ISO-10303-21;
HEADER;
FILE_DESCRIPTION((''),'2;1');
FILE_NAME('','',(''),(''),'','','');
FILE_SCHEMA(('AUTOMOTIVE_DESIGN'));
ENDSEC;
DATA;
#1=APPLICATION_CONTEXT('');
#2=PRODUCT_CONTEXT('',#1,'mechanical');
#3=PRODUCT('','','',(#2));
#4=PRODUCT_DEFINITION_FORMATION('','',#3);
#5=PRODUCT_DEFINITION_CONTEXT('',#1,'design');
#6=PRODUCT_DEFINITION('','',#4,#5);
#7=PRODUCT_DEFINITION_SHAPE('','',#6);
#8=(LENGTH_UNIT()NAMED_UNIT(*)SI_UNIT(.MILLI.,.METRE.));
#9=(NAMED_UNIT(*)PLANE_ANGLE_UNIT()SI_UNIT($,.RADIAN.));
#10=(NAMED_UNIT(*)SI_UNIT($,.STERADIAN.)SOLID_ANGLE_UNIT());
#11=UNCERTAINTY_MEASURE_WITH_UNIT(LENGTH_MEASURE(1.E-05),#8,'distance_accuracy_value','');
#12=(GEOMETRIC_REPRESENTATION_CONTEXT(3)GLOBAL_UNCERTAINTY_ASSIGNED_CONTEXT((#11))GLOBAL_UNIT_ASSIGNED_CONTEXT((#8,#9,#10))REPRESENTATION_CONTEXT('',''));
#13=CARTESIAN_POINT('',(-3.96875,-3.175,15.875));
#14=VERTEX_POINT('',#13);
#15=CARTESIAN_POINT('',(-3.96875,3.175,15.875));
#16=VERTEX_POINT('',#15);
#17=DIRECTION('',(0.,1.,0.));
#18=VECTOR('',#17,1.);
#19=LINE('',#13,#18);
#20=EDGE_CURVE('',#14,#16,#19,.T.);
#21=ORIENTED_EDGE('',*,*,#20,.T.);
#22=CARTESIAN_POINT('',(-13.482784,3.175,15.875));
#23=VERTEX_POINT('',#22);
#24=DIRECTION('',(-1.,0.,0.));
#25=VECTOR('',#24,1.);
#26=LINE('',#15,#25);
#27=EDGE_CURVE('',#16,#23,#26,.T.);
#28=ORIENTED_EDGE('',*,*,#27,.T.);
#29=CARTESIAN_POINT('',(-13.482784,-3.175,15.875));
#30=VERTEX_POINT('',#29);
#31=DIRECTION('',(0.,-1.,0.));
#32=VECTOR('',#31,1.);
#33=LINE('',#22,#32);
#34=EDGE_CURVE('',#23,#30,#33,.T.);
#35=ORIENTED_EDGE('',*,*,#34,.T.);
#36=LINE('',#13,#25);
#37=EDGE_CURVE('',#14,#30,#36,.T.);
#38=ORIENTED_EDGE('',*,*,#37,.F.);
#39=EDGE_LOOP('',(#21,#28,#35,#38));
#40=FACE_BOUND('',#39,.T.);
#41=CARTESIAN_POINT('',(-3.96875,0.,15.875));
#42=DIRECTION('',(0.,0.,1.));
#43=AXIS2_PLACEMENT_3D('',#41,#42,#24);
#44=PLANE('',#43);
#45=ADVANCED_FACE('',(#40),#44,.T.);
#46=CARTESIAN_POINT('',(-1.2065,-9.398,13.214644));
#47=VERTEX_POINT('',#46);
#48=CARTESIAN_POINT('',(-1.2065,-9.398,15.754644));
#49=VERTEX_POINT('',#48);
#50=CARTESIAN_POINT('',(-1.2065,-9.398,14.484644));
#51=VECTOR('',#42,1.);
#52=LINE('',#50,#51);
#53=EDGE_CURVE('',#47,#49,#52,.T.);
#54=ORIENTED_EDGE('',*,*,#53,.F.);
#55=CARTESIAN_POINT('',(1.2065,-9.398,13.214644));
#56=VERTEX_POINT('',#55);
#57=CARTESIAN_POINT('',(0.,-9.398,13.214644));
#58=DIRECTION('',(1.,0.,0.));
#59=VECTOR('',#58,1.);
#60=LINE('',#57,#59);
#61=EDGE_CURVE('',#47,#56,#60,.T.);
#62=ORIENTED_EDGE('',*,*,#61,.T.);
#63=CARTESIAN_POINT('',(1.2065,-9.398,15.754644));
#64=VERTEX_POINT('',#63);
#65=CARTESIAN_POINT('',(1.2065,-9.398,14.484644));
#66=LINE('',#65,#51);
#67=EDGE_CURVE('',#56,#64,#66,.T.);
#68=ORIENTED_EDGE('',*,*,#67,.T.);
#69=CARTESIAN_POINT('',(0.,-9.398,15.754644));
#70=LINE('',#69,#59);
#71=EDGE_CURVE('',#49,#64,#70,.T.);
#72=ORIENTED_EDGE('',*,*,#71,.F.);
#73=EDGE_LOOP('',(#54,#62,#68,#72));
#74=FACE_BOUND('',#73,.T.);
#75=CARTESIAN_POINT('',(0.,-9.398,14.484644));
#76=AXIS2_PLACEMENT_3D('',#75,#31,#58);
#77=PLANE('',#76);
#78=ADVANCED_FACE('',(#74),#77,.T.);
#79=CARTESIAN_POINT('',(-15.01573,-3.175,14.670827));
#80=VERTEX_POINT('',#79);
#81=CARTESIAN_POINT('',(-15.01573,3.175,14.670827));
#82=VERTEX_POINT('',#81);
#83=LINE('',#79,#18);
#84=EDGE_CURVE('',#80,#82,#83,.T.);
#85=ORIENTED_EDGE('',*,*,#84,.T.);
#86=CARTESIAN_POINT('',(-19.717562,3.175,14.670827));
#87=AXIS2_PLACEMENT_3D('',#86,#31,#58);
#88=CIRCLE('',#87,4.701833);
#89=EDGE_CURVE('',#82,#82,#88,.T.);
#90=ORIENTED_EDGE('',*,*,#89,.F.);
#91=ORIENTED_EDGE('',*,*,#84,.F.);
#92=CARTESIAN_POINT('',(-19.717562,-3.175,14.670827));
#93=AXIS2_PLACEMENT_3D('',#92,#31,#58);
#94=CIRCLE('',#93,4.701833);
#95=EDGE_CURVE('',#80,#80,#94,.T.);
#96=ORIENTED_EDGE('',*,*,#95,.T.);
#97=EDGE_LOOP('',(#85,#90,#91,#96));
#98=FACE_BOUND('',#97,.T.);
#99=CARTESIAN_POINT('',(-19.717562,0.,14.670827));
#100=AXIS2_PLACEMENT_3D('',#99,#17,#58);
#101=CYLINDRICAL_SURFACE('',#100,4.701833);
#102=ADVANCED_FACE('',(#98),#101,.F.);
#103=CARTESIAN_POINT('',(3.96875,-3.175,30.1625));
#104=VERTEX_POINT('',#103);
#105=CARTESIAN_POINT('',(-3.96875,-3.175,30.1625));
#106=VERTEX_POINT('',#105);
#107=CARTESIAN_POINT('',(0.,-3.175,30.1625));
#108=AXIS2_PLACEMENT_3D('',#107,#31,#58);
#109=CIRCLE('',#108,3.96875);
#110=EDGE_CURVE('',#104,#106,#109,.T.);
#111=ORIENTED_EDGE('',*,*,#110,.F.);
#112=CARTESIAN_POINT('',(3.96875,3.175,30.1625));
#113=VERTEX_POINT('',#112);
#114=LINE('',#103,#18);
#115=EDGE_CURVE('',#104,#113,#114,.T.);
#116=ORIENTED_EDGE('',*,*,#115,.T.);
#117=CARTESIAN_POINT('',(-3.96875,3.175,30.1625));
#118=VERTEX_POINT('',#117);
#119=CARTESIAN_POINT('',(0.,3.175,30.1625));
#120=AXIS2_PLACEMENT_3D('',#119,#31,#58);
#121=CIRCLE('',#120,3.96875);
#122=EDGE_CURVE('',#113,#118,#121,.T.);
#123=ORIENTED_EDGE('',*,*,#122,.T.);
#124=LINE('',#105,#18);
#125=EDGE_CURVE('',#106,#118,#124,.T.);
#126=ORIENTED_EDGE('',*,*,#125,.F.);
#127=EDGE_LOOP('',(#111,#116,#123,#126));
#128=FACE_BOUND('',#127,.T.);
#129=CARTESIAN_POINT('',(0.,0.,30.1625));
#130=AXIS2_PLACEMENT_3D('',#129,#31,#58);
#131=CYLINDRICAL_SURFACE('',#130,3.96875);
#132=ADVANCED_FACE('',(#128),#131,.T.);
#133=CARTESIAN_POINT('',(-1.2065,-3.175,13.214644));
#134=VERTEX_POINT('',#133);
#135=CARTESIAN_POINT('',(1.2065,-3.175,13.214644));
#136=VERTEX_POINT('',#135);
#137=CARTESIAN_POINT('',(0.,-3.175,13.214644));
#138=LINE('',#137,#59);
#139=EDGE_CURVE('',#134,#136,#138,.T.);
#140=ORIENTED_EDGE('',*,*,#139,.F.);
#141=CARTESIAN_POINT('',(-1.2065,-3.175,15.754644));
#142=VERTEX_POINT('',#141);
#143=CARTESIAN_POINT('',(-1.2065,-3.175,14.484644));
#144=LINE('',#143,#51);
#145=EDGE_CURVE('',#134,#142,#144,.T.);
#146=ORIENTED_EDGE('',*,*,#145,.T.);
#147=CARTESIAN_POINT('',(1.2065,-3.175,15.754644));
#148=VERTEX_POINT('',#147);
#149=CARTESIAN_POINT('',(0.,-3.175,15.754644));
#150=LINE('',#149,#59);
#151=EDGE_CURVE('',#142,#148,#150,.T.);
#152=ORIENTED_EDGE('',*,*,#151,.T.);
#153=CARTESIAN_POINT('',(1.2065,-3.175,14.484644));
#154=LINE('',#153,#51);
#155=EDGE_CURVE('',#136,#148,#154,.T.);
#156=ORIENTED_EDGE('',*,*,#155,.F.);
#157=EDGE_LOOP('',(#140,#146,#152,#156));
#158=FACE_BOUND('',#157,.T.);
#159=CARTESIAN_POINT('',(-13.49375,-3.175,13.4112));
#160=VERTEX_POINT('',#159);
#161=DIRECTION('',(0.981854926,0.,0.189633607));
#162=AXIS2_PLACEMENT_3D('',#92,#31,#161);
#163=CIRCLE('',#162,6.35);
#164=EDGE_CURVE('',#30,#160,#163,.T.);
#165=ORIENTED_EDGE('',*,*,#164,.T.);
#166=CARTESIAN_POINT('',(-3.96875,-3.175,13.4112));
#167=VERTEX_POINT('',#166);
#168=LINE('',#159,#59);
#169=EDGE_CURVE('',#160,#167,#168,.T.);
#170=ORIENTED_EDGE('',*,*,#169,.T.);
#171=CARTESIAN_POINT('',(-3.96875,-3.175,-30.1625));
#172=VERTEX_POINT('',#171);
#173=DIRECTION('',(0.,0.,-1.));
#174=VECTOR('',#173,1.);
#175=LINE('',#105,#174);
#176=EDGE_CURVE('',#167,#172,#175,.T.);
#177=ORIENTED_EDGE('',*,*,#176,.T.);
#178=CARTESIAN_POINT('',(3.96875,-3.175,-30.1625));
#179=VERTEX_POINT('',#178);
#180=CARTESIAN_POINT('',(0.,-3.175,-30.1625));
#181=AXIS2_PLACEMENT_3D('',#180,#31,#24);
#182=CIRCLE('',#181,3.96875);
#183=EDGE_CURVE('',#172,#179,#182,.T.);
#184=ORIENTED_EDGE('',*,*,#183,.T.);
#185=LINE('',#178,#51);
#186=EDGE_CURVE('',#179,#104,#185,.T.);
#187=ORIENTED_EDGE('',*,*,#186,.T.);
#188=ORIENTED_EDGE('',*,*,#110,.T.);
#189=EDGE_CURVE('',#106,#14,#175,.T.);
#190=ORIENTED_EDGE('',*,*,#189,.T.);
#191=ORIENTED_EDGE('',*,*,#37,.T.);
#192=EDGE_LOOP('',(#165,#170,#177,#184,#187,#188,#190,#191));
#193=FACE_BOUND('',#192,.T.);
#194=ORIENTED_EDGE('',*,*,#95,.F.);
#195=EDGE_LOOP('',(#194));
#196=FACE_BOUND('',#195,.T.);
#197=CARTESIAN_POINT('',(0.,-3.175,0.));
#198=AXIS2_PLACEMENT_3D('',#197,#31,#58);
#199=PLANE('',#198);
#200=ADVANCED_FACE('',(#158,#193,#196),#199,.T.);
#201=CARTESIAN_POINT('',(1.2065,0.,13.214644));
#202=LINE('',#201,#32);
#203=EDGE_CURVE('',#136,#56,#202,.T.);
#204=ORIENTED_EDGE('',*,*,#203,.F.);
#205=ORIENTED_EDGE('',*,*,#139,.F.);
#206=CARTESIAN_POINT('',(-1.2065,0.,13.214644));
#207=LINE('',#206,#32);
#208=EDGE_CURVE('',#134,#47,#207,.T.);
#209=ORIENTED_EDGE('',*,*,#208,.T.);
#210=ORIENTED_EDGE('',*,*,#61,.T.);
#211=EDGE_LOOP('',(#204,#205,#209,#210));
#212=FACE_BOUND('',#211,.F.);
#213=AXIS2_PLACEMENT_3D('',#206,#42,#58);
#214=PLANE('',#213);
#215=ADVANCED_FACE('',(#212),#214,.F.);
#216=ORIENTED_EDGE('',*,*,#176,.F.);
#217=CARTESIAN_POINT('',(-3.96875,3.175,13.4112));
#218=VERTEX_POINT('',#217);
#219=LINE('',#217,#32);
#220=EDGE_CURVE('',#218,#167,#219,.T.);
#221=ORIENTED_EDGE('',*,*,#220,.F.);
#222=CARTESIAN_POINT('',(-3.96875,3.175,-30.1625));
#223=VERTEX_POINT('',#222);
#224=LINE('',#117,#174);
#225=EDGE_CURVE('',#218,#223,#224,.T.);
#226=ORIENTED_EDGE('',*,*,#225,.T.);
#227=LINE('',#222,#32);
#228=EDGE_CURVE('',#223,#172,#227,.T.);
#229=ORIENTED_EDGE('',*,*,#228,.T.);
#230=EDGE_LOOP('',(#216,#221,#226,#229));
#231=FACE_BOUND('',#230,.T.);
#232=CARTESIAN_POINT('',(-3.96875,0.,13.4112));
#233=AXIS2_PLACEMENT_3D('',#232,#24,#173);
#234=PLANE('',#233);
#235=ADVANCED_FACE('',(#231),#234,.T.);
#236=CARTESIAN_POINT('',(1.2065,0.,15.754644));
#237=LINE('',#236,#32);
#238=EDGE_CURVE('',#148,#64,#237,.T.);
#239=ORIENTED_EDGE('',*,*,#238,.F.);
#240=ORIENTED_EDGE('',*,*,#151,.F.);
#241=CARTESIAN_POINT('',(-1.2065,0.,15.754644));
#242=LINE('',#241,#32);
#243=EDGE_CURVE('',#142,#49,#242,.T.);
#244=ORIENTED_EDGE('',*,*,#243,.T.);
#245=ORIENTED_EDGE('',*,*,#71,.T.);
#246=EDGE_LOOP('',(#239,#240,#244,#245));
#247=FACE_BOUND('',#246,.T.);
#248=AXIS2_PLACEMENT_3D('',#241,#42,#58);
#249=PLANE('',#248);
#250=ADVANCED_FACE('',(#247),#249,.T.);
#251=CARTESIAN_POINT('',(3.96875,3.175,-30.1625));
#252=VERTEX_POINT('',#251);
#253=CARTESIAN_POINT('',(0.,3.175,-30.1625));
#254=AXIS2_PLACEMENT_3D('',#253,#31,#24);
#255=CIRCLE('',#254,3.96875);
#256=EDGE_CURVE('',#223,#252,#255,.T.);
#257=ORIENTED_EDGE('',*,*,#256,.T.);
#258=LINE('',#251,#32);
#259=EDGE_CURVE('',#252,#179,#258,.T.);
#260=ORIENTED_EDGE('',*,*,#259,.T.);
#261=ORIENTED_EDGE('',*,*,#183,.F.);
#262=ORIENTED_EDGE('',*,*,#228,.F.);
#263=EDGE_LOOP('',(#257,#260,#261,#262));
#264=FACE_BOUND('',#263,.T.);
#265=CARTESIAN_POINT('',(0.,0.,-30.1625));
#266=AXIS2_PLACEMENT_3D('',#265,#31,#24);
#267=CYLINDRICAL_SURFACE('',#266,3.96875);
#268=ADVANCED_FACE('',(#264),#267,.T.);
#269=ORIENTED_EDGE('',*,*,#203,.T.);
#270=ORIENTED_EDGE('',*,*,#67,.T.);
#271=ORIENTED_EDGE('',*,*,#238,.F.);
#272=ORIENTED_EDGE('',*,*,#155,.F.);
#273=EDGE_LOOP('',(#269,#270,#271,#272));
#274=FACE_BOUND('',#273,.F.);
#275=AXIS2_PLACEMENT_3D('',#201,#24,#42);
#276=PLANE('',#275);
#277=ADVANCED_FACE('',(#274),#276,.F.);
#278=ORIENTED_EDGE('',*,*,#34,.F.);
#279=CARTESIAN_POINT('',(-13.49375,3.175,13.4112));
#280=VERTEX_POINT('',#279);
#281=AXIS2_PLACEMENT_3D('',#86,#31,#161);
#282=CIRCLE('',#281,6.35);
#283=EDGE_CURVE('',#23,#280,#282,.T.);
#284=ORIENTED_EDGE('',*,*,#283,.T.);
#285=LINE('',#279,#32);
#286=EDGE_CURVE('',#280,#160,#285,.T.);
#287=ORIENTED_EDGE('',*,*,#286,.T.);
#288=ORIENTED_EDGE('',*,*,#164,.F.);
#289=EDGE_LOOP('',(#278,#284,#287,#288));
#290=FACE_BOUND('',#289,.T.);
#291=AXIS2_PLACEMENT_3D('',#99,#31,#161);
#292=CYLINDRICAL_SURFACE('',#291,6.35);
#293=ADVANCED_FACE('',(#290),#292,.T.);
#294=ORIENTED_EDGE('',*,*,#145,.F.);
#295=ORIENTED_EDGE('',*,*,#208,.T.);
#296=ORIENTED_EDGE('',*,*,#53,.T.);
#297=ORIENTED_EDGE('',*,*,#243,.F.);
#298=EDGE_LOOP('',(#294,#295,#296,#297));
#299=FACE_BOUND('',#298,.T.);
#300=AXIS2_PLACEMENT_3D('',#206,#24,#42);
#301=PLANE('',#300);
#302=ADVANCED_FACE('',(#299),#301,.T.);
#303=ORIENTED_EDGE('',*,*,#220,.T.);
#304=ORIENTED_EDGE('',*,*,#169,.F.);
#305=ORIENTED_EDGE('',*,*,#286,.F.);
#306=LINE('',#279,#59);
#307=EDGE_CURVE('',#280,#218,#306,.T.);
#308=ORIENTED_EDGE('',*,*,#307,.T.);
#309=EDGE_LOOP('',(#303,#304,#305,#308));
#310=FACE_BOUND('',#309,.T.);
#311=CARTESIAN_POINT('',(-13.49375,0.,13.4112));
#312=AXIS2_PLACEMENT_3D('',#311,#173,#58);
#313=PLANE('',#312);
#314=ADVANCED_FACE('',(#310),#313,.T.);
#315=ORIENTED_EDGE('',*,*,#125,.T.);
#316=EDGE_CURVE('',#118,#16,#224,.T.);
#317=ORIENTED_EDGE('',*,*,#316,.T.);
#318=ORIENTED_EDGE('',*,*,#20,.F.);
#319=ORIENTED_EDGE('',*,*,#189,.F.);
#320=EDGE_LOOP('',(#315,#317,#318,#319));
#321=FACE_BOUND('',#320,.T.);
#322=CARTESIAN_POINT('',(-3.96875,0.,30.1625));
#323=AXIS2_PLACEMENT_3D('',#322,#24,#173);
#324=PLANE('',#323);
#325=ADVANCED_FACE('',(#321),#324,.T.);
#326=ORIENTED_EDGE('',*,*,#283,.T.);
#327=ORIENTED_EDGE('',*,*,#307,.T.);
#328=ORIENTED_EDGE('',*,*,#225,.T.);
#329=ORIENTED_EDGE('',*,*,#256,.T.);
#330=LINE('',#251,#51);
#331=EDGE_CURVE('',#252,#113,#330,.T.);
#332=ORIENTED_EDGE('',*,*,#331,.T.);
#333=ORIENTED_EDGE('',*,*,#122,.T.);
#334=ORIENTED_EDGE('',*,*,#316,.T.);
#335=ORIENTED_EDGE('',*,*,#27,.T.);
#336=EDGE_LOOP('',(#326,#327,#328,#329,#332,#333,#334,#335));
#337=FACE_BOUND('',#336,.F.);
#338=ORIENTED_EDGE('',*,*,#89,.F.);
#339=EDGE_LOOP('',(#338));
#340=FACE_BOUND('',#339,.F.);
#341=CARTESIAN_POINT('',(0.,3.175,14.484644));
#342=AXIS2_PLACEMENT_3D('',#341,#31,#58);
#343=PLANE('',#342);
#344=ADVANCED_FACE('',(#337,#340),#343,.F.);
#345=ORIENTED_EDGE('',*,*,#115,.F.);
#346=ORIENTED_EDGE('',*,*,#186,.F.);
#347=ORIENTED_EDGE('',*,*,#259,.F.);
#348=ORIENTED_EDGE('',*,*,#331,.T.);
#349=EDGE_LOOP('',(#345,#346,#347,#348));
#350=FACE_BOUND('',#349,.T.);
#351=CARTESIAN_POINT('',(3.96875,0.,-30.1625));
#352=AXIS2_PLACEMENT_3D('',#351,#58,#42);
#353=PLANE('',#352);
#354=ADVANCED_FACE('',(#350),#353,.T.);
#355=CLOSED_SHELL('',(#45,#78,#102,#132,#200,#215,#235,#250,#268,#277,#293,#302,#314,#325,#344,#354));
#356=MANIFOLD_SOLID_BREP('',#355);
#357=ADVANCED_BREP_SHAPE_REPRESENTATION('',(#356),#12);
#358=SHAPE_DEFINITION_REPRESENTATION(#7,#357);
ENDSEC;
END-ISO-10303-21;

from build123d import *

# Parameters (mm, degrees)
F0_W     = 2.413
F0_H     = 2.54
F0_R     = 4.7018325436
F1_DEPTH = 3.175
F2_DEPTH = 9.398
F3_DEPTH = 3.175


with BuildPart() as f1:
    # F0 (on Front) → F1 (new body, symmetric)
    with BuildSketch(Plane.XZ):
        Polygon((3.96875, -30.1625), (3.96875, 30.1625), (-3.96875, 30.1625), (-3.96875, 15.875), (-3.96875, 13.4112), (-3.96875, -30.1625), align=None)
        with Locations((0, 14.4846439362)):
            Rectangle(F0_W, F0_H, mode=Mode.SUBTRACT)
        with BuildLine():
            Line((-3.96875, 30.1625), (3.96875, 30.1625))
            ThreePointArc((3.96875, 30.1625), (0, 34.13125), (-3.96875, 30.1625))
        make_face()
        with BuildLine():
            ThreePointArc((-3.96875, -30.1625), (0, -34.13125), (3.96875, -30.1625))
            Line((3.96875, -30.1625), (-3.96875, -30.1625))
        make_face()
        with BuildLine():
            Line((-13.49375, 15.875), (-13.4827836254, 15.875))
            ThreePointArc((-13.4827836254, 15.875), (-26.0674995034, 14.699090169), (-13.49375, 13.4112))
            Line((-13.49375, 13.4112), (-13.49375, 15.875))
        make_face()
        with Locations((-19.7175624037, 14.6708265968)):
            Circle(F0_R, mode=Mode.SUBTRACT)
        with BuildLine():
            ThreePointArc((-13.3675624037, 14.6708265968), (-13.3964333415, 15.2756632514), (-13.4827836254, 15.875))
            Line((-13.4827836254, 15.875), (-13.49375, 15.875))
            Line((-13.49375, 15.875), (-13.49375, 13.4112))
            ThreePointArc((-13.49375, 13.4112), (-13.3991880573, 14.0378608645), (-13.3675624037, 14.6708265968))
        make_face()
        with BuildLine():
            Line((-3.96875, 13.4112), (-3.96875, 15.875))
            Line((-3.96875, 15.875), (-13.4827836254, 15.875))
            ThreePointArc((-13.4827836254, 15.875), (-13.3964333415, 15.2756632514), (-13.3675624037, 14.6708265968))
            ThreePointArc((-13.3675624037, 14.6708265968), (-13.3991880573, 14.0378608645), (-13.49375, 13.4112))
            Line((-13.49375, 13.4112), (-3.96875, 13.4112))
        make_face()
    extrude(amount=F1_DEPTH, both=True)

    # F0 (on Front) → F2 (join)
    with BuildSketch(Plane.XZ):
        with Locations((0, 14.4846439362)):
            Rectangle(F0_W, F0_H)
    extrude(amount=F2_DEPTH)

    # F0 (on Front) → F3 (join)
    with BuildSketch(Plane.XZ):
        with Locations((0, 14.4846439362)):
            Rectangle(F0_W, F0_H)
    extrude(amount=-F3_DEPTH)


solid = f1.part
